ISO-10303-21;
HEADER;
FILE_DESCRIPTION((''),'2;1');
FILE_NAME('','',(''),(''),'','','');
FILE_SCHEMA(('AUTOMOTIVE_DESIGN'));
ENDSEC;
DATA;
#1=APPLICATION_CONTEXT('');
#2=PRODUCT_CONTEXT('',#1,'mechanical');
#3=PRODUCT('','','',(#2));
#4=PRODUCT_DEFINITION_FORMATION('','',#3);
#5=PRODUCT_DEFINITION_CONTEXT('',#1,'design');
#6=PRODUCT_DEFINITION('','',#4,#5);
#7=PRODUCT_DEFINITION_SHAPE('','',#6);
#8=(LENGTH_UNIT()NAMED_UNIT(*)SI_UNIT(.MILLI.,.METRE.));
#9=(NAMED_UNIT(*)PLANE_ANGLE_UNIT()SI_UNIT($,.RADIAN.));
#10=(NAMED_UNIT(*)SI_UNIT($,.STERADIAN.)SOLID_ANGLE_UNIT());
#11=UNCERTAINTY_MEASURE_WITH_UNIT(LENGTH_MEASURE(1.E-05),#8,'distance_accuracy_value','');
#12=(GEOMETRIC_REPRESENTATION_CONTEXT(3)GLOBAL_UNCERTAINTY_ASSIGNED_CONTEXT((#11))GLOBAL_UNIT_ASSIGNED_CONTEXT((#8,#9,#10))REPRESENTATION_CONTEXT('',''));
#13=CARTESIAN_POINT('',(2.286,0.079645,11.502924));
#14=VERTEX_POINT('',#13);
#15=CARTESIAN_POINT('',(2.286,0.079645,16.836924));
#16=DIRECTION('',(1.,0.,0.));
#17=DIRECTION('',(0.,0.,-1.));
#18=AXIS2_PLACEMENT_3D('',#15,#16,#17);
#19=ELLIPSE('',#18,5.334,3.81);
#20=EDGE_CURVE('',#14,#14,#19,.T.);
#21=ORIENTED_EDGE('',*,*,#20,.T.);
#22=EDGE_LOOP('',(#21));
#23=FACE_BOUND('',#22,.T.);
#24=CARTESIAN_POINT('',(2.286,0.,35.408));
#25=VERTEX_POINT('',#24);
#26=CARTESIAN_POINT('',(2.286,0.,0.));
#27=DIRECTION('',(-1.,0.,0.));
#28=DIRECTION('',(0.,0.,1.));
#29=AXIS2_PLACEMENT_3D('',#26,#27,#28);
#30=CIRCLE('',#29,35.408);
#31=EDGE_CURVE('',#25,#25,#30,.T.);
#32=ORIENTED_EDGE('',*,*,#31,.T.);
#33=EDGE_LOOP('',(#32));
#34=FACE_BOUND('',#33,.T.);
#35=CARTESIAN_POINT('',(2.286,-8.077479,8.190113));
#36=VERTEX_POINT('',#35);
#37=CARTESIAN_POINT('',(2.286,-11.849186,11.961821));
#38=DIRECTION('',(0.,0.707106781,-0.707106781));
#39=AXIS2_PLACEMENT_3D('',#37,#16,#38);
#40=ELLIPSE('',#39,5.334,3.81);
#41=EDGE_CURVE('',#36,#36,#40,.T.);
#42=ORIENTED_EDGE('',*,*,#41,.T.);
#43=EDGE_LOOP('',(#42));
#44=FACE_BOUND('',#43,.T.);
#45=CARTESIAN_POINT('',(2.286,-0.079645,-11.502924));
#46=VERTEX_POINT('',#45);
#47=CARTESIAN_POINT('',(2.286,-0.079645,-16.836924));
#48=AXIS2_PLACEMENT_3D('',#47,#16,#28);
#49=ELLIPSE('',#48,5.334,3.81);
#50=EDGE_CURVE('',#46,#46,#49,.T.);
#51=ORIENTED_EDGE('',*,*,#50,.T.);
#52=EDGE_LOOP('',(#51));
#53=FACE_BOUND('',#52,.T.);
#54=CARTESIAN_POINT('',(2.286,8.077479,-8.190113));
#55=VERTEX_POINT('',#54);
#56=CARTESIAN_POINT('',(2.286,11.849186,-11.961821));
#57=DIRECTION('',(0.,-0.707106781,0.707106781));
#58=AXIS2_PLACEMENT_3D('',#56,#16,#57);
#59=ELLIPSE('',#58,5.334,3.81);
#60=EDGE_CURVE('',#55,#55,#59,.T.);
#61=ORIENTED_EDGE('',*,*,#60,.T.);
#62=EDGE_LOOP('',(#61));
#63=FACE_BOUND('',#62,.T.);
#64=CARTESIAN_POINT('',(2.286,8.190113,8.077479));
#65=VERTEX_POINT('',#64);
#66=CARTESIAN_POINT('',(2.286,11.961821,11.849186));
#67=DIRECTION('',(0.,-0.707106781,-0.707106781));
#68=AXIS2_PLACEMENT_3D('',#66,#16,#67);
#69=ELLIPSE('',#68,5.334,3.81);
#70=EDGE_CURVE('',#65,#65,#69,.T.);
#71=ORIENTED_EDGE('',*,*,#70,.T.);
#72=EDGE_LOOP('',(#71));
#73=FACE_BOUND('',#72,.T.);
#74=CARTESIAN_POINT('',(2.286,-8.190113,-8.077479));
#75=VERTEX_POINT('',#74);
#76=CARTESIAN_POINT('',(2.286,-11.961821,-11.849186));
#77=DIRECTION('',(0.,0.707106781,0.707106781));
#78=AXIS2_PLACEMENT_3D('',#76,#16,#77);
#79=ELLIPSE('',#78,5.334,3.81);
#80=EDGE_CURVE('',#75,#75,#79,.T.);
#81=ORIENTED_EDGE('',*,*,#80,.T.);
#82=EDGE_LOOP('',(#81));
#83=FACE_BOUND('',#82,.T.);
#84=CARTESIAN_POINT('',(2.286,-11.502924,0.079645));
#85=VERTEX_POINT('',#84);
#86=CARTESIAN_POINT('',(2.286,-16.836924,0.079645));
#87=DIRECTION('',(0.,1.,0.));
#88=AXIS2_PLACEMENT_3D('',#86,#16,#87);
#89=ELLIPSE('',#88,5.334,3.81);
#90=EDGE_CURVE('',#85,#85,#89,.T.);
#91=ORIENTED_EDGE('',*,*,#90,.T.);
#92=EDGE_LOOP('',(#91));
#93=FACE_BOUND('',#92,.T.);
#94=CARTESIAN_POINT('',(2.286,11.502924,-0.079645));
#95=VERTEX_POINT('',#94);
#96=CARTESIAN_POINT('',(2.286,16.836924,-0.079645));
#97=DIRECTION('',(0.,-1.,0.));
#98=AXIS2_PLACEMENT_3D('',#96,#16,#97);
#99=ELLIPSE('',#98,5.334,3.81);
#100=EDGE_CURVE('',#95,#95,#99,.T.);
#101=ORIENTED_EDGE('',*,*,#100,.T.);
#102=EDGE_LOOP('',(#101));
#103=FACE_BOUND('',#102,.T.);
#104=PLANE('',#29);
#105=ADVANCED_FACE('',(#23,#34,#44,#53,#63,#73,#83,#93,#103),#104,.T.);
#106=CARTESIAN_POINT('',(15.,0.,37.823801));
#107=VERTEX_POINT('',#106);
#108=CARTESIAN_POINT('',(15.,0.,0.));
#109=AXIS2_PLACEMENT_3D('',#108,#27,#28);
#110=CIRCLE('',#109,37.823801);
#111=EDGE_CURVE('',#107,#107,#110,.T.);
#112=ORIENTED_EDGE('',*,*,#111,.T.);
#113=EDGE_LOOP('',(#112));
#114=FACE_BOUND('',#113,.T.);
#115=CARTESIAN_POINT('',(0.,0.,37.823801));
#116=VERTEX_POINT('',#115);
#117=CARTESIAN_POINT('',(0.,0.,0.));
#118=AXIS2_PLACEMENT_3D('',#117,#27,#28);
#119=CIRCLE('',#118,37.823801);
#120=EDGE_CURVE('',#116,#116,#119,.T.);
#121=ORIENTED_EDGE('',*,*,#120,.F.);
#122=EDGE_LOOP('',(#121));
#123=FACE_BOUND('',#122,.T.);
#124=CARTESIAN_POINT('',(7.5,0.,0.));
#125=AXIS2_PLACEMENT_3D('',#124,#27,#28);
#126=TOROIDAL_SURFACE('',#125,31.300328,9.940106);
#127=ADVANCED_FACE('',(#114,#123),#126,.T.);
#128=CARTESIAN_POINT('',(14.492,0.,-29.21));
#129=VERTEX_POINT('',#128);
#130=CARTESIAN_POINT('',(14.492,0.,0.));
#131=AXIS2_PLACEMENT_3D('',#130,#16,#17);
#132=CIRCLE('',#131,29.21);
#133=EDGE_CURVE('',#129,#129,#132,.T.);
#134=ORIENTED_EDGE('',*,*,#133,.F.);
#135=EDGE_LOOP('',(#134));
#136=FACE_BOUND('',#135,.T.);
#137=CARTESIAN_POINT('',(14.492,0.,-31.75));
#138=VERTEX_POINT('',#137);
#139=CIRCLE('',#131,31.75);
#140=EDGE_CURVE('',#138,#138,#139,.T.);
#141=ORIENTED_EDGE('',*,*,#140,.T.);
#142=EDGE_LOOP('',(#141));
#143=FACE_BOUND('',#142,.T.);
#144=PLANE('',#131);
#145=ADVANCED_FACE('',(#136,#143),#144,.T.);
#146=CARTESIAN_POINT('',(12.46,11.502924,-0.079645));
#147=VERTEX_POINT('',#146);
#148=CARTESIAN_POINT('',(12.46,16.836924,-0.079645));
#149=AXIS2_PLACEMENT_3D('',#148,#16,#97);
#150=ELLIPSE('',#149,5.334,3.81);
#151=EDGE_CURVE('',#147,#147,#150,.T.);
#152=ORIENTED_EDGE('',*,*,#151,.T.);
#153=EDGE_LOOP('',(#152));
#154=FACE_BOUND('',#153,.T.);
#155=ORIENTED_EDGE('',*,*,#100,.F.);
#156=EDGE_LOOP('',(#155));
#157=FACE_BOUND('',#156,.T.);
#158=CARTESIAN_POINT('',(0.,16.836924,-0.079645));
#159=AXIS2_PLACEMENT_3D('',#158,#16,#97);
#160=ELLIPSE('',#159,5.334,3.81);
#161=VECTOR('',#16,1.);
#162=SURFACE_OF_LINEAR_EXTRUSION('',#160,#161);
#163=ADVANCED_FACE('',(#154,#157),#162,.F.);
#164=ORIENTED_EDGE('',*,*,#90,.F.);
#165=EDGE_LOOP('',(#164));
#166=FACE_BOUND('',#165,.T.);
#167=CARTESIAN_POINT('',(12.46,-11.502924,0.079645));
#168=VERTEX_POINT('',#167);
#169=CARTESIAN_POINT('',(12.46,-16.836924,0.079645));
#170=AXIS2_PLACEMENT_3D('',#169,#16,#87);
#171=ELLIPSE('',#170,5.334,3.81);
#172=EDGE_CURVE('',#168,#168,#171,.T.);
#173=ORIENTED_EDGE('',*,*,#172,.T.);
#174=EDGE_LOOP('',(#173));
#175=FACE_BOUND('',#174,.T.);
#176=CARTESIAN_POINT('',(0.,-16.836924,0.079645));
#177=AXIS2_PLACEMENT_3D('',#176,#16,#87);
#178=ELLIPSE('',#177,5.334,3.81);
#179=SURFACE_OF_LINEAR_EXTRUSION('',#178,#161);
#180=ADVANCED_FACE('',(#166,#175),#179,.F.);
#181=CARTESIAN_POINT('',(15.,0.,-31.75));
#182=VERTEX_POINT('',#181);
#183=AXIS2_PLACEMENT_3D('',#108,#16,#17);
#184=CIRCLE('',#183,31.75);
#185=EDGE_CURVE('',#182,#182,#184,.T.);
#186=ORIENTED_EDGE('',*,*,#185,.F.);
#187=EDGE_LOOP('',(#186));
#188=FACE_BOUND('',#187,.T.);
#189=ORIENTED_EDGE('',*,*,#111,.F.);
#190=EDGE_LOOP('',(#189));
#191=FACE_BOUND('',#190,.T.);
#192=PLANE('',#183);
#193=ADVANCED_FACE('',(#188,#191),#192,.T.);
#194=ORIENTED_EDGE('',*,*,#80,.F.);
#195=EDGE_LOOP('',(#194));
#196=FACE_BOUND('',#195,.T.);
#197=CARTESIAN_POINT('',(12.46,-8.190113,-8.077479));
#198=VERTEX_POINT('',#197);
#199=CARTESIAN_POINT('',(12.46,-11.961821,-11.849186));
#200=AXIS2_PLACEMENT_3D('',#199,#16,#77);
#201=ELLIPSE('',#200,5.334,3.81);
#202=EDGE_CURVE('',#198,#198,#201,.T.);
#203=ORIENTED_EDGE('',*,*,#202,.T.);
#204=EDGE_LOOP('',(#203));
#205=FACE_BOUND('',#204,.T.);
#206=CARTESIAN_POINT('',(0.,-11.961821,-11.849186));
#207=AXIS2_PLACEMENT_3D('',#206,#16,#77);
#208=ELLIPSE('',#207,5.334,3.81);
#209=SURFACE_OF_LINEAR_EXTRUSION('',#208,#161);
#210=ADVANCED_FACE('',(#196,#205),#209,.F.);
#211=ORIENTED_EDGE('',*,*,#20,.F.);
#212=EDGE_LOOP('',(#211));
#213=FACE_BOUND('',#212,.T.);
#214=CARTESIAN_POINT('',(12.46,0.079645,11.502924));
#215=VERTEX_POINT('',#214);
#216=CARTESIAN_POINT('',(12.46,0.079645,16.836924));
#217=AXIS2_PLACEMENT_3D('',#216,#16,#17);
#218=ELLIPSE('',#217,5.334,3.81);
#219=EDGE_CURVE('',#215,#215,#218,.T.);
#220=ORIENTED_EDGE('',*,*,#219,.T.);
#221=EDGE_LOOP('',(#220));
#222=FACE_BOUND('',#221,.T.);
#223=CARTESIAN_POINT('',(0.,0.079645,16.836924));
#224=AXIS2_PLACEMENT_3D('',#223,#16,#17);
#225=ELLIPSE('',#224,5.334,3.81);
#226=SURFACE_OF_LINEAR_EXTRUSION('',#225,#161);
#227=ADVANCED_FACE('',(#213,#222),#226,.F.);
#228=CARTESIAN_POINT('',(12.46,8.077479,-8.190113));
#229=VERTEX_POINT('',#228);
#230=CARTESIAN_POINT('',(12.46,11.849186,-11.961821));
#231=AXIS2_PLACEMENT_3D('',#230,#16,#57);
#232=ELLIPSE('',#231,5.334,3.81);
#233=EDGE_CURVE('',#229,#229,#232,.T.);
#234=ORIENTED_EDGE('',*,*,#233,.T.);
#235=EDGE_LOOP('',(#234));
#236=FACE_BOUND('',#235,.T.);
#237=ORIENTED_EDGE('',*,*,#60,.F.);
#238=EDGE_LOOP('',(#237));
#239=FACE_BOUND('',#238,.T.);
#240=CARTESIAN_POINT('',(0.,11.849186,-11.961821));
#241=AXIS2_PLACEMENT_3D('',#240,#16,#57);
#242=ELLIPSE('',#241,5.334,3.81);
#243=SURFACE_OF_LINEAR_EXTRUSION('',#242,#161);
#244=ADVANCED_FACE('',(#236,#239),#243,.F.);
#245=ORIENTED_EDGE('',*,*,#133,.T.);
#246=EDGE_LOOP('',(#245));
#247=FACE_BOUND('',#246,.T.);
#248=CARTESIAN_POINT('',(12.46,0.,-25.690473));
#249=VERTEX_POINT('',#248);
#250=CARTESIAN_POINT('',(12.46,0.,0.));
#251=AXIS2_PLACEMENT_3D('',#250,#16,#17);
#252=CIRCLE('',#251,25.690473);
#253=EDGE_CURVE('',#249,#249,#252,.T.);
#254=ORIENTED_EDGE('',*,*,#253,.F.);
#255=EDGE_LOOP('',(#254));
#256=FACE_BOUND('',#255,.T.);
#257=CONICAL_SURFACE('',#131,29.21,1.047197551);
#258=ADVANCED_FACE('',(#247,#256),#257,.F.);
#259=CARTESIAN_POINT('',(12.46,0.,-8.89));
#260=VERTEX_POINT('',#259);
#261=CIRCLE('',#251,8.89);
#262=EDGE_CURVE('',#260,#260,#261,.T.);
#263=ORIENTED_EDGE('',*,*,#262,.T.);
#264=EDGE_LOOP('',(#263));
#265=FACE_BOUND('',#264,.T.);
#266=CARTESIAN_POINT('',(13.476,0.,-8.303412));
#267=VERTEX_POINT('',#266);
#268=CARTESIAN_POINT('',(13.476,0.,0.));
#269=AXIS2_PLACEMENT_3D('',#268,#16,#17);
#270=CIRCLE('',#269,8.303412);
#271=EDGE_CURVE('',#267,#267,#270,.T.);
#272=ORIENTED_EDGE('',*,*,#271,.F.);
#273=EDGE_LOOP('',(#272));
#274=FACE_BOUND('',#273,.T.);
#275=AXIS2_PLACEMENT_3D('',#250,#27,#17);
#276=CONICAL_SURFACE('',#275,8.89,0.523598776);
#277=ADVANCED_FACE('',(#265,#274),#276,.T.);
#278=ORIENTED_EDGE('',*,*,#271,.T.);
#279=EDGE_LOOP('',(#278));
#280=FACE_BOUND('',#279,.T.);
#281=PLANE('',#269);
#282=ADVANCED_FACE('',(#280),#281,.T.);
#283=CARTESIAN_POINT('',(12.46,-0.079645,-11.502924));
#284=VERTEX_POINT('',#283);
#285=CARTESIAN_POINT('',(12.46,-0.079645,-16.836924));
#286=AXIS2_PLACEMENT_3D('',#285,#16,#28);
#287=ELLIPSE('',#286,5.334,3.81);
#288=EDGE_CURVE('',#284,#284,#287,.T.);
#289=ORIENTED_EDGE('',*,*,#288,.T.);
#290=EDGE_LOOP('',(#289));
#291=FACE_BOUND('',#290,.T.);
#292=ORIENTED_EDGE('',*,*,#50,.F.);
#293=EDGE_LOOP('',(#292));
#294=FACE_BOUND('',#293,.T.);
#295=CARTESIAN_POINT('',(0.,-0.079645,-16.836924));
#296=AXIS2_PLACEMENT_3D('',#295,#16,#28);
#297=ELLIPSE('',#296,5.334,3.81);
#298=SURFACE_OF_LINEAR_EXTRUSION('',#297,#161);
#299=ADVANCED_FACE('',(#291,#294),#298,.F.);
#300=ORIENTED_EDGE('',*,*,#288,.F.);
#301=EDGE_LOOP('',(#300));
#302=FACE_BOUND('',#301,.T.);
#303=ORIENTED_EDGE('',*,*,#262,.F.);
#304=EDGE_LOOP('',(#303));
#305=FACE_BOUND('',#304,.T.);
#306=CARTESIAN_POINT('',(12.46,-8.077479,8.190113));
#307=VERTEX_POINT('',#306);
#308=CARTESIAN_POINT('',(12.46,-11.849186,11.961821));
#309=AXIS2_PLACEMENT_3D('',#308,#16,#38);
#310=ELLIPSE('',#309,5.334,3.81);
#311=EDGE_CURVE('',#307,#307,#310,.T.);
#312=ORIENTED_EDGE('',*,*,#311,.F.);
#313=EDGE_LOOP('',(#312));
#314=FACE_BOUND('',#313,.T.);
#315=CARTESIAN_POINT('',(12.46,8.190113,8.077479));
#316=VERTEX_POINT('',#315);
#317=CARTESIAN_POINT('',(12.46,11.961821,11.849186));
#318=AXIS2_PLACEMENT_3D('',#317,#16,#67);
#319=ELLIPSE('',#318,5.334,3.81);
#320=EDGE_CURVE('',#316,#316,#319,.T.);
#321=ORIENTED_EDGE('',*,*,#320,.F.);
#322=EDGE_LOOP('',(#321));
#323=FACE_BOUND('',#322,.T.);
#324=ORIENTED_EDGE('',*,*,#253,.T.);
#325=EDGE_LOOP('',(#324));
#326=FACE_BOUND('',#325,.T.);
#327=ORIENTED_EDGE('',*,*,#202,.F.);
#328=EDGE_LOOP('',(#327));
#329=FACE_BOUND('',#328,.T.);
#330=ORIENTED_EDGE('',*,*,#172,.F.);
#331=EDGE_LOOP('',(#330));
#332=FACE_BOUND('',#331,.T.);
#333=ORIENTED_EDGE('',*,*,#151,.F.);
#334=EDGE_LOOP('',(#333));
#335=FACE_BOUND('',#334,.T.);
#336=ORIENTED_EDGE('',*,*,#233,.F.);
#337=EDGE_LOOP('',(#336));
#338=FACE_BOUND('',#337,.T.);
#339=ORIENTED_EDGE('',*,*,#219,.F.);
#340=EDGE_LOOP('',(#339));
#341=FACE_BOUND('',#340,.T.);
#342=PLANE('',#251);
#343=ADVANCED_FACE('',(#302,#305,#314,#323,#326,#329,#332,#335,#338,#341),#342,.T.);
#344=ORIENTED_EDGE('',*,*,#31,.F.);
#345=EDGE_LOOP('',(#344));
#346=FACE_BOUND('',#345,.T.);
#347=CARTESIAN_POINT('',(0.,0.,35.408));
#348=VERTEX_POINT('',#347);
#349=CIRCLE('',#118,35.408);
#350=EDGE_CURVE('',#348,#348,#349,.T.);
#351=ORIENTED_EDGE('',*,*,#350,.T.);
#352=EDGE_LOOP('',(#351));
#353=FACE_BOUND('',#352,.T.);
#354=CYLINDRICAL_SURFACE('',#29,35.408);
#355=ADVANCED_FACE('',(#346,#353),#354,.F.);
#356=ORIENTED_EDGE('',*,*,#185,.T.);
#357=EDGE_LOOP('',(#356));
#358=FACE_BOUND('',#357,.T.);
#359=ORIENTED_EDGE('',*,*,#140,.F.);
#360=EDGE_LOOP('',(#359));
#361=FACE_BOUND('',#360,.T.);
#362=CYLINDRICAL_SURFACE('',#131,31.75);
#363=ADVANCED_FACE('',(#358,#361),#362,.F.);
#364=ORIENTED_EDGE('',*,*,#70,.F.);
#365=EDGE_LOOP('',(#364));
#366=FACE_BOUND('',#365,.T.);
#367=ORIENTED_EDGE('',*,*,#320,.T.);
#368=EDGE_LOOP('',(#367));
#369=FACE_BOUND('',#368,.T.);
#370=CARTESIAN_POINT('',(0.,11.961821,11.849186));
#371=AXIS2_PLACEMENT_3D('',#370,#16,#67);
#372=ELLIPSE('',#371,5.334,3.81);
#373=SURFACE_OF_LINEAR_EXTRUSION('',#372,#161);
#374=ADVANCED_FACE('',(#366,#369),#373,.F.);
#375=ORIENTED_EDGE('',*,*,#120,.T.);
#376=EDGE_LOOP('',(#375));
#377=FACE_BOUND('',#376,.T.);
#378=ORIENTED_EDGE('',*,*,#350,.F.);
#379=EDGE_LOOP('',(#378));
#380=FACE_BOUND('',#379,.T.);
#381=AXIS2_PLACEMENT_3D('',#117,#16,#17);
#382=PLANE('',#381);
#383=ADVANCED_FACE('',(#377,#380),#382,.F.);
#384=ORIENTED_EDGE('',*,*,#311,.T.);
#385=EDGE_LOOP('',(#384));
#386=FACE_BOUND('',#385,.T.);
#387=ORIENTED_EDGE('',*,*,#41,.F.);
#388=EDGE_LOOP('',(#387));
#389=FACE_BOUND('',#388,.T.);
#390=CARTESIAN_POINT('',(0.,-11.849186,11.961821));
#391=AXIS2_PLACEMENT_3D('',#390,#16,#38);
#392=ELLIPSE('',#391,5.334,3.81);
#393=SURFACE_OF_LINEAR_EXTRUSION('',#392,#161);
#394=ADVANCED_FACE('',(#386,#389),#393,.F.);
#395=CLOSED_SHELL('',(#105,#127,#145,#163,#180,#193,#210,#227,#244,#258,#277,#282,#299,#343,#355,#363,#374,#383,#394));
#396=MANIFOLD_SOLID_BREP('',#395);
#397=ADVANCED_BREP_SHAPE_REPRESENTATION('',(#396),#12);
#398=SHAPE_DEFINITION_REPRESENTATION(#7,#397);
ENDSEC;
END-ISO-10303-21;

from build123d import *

# Parameters (mm, degrees)
SKETCH1_R           = 41.25
BOSS_EXTRUDE1_DEPTH = 15
SKETCH2_R           = 31.75
CUT_EXTRUDE1_DEPTH  = 0.508
SKETCH3_R           = 29.21
CUT_EXTRUDE2_DEPTH  = 2.032
CUT_EXTRUDE2_TAPER  = 60
SKETCH4_R           = 8.89
BOSS_EXTRUDE3_DEPTH = 1.016
BOSS_EXTRUDE3_TAPER = 30
SKETCH5_RX          = 5.334
SKETCH5_RY          = 3.81
CUT_EXTRUDE3_DEPTH  = 13.46
CIRPATTERN1_COUNT   = 8
SKETCH6_R           = 35.408
CUT_EXTRUDE4_DEPTH  = 2.286


with BuildPart() as part:
    # Sketch1 → Boss-Extrude1 (new body)
    with BuildSketch(Plane(origin=(0, 0, 0), x_dir=(0, 0, -1), z_dir=(1, 0, 0))):
        Circle(SKETCH1_R)
    extrude(amount=BOSS_EXTRUDE1_DEPTH)

    # Sketch2 → Cut-Extrude1 (cut)
    with BuildSketch(Plane(origin=(15, 0, 0), x_dir=(0, 0, -1), z_dir=(1, 0, 0))):
        Circle(SKETCH2_R)
    extrude(amount=-CUT_EXTRUDE1_DEPTH, mode=Mode.SUBTRACT)

    # Sketch3 → Cut-Extrude2 (cut)
    with BuildSketch(Plane(origin=(14.492, 0, 0), x_dir=(0, 0, -1), z_dir=(1, 0, 0))):
        Circle(SKETCH3_R)
    extrude(amount=-CUT_EXTRUDE2_DEPTH, taper=CUT_EXTRUDE2_TAPER, mode=Mode.SUBTRACT)

    # Sketch4 → Boss-Extrude3 (add)
    with BuildSketch(Plane(origin=(12.46, 0, 0), x_dir=(0, 0, -1), z_dir=(1, 0, 0))):
        Circle(SKETCH4_R)
    extrude(amount=BOSS_EXTRUDE3_DEPTH, taper=BOSS_EXTRUDE3_TAPER)

    # Sketch5 → Cut-Extrude3 (cut, through all)
    with BuildSketch(Plane(origin=(12.46, 0, 0), x_dir=(0, 0, -1), z_dir=(1, 0, 0))):
        with Locations(Location((0.079644617, 16.836924445), (0, 0, -90))):
            Ellipse(SKETCH5_RX, SKETCH5_RY)
    cut_extrude3 = extrude(amount=-CUT_EXTRUDE3_DEPTH, mode=Mode.SUBTRACT)

    # CirPattern1: Cut-Extrude3 ×8 about axis
    cirpattern1_axis = Axis((13.476, 0, 0), (1, 0, 0))
    for i in range(1, CIRPATTERN1_COUNT):
        add(cut_extrude3.rotate(cirpattern1_axis, i * 360 / CIRPATTERN1_COUNT), mode=Mode.SUBTRACT)

    # Sketch6 → Cut-Extrude4 (cut)
    with BuildSketch(Plane.ZY):
        Circle(SKETCH6_R)
    extrude(amount=-CUT_EXTRUDE4_DEPTH, mode=Mode.SUBTRACT)

    # Sketch7 → Cut-Revolve1 (revolve, cut)
    with BuildSketch(Plane.XY):
        with BuildLine():
            Line((7.5, 41.25), (0, 41.25))
            Line((0, 41.25), (0, 37.82380131))
            ThreePointArc((0, 37.82380131), (7.5, 41.240433802), (15, 37.82380131))
            Line((15, 37.82380131), (15, 41.25))
            Line((15, 41.25), (7.5, 41.25))
        make_face()
    revolve(axis=Axis((0, 0, 0), (1, 0, 0)), mode=Mode.SUBTRACT)


solid = part.part
